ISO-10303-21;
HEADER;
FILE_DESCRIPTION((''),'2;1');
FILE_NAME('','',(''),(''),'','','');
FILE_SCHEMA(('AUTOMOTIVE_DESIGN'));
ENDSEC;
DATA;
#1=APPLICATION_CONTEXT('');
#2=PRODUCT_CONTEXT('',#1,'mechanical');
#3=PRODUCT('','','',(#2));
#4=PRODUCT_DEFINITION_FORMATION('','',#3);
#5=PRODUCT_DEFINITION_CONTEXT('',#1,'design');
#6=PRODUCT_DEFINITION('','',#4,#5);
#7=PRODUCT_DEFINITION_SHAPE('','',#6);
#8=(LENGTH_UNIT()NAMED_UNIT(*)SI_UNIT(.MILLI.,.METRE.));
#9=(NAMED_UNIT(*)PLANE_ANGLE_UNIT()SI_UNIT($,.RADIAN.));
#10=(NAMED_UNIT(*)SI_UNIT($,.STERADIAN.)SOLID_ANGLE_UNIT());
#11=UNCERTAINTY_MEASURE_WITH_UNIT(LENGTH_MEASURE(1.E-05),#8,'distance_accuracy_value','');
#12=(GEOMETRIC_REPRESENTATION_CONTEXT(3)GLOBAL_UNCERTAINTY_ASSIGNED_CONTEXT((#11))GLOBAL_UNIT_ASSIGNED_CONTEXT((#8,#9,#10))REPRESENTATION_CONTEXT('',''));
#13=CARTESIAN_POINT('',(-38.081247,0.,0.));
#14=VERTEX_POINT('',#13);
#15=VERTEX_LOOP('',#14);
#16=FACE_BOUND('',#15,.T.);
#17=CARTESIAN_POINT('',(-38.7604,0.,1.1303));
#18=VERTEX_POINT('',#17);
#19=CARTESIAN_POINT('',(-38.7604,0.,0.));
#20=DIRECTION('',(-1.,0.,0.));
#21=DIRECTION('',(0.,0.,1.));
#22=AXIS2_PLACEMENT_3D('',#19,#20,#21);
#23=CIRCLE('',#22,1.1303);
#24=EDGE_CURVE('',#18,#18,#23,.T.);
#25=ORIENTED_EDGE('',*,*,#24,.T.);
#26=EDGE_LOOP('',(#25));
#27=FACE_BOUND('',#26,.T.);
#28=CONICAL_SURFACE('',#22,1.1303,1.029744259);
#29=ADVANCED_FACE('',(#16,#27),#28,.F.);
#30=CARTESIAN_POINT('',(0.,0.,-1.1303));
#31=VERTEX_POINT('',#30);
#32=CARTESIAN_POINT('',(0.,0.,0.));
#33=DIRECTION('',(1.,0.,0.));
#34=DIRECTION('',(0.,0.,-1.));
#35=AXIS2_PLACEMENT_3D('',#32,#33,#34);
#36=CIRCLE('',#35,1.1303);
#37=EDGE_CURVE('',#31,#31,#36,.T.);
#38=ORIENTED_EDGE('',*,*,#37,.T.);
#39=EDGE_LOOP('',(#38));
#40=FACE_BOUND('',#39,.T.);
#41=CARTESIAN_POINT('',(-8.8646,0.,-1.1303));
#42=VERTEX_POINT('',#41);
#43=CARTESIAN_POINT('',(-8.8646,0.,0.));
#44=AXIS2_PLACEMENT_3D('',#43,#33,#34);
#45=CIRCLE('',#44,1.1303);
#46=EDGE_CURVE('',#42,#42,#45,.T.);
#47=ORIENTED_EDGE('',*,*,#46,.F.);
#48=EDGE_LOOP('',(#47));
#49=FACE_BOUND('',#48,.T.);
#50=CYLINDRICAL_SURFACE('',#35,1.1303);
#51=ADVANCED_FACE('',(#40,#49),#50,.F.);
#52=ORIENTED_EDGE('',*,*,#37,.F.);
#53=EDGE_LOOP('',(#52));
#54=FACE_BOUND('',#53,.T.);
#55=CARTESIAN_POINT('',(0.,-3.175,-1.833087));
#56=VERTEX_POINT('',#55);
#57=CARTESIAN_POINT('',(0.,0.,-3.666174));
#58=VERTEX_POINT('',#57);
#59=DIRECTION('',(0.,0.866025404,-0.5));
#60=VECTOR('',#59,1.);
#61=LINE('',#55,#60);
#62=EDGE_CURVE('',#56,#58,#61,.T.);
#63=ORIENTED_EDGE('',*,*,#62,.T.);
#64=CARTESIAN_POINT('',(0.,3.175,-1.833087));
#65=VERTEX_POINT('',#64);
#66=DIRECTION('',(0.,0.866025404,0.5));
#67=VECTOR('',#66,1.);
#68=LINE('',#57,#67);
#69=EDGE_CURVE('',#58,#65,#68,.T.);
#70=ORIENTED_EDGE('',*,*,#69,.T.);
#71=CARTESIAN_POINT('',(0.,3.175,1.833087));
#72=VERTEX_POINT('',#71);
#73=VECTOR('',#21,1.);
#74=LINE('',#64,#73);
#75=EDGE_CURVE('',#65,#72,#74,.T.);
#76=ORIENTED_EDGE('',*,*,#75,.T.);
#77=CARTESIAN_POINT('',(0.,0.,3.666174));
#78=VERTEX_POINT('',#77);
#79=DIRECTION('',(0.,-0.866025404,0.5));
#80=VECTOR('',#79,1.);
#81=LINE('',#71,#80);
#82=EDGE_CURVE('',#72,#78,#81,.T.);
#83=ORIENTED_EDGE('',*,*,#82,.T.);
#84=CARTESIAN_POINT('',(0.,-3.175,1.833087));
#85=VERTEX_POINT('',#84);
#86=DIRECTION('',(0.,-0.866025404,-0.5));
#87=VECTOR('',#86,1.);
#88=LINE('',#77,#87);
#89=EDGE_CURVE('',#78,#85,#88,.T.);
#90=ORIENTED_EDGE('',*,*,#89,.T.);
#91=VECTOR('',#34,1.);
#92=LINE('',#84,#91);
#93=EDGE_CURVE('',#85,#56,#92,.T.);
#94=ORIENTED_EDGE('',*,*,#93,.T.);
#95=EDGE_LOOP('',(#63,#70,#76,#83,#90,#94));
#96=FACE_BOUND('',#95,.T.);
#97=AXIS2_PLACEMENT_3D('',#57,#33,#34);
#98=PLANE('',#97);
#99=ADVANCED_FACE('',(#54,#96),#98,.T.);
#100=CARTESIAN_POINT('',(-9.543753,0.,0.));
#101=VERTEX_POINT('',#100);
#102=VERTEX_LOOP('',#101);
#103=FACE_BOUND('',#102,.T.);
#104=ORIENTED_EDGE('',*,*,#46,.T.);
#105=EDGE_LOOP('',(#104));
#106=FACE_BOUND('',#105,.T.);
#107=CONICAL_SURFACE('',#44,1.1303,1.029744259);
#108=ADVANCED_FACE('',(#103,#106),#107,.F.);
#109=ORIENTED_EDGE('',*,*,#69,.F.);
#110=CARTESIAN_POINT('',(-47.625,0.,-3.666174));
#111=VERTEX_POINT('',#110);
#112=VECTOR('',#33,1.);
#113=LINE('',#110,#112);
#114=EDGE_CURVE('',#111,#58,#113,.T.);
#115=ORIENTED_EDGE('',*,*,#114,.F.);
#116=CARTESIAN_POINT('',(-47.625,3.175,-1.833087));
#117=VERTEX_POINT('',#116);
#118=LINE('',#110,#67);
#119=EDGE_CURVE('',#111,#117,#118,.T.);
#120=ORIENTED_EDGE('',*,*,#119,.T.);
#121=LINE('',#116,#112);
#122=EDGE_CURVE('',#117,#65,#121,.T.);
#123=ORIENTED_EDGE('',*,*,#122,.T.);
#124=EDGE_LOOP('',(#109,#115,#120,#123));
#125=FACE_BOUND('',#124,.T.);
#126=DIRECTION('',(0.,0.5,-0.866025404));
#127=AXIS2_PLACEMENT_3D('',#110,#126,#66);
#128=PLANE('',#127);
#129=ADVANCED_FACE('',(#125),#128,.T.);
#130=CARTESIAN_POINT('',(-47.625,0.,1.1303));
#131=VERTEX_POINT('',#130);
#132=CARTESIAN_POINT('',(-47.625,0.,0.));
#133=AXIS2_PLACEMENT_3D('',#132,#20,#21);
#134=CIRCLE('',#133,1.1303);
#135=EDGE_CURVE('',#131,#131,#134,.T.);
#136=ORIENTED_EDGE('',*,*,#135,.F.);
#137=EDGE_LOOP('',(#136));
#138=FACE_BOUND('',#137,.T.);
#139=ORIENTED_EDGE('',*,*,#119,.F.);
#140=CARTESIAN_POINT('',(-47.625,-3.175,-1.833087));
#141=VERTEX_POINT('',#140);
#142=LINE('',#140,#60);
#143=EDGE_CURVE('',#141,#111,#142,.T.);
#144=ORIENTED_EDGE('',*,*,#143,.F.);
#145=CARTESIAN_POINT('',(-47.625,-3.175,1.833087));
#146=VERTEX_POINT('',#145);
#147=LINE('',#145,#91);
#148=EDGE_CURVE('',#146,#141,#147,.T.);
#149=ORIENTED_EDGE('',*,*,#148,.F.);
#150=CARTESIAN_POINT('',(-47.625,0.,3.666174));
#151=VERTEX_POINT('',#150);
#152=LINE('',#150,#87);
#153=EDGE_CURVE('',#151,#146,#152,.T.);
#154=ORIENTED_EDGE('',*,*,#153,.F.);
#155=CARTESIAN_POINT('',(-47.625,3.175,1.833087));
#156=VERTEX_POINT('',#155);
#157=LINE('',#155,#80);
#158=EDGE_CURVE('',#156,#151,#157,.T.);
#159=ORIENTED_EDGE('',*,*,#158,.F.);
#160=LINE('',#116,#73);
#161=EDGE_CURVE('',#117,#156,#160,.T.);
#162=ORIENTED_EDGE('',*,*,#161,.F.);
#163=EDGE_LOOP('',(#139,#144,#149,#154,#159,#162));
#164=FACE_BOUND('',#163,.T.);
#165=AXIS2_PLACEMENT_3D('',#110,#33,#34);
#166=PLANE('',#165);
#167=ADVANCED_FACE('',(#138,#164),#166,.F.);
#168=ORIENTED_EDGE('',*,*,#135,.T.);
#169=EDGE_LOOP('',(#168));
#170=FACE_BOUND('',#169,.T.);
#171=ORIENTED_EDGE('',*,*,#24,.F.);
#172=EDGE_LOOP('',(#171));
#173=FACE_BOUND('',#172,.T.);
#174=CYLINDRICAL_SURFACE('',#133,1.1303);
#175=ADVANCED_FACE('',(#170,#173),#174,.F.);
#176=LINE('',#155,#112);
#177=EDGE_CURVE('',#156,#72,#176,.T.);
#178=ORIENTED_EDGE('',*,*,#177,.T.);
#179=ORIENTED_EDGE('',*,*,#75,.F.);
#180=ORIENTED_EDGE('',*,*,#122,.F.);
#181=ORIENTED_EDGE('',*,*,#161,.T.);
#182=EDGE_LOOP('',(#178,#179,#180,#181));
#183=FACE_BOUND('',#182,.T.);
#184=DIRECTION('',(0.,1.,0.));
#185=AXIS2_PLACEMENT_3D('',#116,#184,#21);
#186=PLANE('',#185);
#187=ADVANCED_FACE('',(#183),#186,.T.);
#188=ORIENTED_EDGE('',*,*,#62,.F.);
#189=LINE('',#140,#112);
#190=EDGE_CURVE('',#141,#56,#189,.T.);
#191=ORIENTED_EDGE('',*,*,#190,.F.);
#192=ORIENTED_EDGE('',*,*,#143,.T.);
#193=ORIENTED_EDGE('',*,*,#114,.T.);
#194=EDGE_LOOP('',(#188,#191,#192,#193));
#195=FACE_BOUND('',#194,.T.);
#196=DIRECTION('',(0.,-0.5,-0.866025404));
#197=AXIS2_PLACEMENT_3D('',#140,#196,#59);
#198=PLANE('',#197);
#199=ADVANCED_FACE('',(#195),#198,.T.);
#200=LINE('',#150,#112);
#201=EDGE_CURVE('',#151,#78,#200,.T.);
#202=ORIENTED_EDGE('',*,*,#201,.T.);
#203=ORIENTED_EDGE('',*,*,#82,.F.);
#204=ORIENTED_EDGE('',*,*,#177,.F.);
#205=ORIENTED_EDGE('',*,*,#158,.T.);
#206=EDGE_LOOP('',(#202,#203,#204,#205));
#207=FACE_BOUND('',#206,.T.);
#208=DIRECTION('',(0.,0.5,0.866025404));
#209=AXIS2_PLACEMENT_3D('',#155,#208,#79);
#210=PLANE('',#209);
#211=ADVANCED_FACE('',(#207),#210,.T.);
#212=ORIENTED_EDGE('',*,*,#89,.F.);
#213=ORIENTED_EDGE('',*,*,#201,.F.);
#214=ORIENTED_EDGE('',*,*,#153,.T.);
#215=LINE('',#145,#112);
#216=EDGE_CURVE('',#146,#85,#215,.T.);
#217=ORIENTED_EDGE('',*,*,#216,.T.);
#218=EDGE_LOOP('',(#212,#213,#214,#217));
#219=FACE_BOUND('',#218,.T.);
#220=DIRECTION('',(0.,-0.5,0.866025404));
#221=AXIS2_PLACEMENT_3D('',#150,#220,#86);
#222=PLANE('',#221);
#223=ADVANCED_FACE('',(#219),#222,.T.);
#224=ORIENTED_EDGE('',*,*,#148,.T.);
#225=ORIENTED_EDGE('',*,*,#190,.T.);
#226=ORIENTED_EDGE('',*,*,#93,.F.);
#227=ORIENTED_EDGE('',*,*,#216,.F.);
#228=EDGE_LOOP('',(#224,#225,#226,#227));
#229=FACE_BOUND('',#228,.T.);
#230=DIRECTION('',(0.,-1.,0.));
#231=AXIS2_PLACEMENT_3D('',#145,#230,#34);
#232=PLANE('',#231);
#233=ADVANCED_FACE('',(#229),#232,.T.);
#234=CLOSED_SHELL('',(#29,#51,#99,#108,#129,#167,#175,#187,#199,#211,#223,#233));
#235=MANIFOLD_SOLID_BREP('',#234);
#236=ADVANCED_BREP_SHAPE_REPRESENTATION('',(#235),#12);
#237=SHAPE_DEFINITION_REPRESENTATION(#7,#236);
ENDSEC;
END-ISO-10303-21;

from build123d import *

# Parameters (mm, degrees)
EXTRUDE1_DEPTH            = 47.625
F_4_40_TAPPED_HOLE1_D     = 2.2606
F_4_40_TAPPED_HOLE1_DEPTH = 8.8646
F_4_40_TAPPED_HOLE1_TIP   = 0.679152758
F_4_40_TAPPED_HOLE2_D     = 2.2606
F_4_40_TAPPED_HOLE2_DEPTH = 8.8646
F_4_40_TAPPED_HOLE2_TIP   = 0.679152758


with BuildPart() as part:
    # Sketch1 → Extrude1 (new body)
    with BuildSketch(Plane(origin=(0, 0, 0), x_dir=(0, 0, -1), z_dir=(1, 0, 0))):
        Polygon((3.666174209, 0), (1.833087105, 3.175), (-1.833087105, 3.175), (-3.666174209, 0), (-1.833087105, -3.175), (1.833087105, -3.175), align=None)
    extrude(amount=-EXTRUDE1_DEPTH)

    # #4-40 Tapped Hole1
    with Locations(Plane(origin=(0, 0, 0), x_dir=(0, 0, -1), z_dir=(1, 0, 0))):
        with Locations((0, 0)):
            Hole(F_4_40_TAPPED_HOLE1_D / 2, depth=F_4_40_TAPPED_HOLE1_DEPTH)
            with Locations((0, 0, -(F_4_40_TAPPED_HOLE1_DEPTH + F_4_40_TAPPED_HOLE1_TIP / 2))):  # 118° drill point
                Cone(0, F_4_40_TAPPED_HOLE1_D / 2, F_4_40_TAPPED_HOLE1_TIP, mode=Mode.SUBTRACT)

    # #4-40 Tapped Hole2
    with Locations(Plane.ZY.offset(47.625)):
        with Locations((0, 0)):
            Hole(F_4_40_TAPPED_HOLE2_D / 2, depth=F_4_40_TAPPED_HOLE2_DEPTH)
            with Locations((0, 0, -(F_4_40_TAPPED_HOLE2_DEPTH + F_4_40_TAPPED_HOLE2_TIP / 2))):  # 118° drill point
                Cone(0, F_4_40_TAPPED_HOLE2_D / 2, F_4_40_TAPPED_HOLE2_TIP, mode=Mode.SUBTRACT)


solid = part.part
